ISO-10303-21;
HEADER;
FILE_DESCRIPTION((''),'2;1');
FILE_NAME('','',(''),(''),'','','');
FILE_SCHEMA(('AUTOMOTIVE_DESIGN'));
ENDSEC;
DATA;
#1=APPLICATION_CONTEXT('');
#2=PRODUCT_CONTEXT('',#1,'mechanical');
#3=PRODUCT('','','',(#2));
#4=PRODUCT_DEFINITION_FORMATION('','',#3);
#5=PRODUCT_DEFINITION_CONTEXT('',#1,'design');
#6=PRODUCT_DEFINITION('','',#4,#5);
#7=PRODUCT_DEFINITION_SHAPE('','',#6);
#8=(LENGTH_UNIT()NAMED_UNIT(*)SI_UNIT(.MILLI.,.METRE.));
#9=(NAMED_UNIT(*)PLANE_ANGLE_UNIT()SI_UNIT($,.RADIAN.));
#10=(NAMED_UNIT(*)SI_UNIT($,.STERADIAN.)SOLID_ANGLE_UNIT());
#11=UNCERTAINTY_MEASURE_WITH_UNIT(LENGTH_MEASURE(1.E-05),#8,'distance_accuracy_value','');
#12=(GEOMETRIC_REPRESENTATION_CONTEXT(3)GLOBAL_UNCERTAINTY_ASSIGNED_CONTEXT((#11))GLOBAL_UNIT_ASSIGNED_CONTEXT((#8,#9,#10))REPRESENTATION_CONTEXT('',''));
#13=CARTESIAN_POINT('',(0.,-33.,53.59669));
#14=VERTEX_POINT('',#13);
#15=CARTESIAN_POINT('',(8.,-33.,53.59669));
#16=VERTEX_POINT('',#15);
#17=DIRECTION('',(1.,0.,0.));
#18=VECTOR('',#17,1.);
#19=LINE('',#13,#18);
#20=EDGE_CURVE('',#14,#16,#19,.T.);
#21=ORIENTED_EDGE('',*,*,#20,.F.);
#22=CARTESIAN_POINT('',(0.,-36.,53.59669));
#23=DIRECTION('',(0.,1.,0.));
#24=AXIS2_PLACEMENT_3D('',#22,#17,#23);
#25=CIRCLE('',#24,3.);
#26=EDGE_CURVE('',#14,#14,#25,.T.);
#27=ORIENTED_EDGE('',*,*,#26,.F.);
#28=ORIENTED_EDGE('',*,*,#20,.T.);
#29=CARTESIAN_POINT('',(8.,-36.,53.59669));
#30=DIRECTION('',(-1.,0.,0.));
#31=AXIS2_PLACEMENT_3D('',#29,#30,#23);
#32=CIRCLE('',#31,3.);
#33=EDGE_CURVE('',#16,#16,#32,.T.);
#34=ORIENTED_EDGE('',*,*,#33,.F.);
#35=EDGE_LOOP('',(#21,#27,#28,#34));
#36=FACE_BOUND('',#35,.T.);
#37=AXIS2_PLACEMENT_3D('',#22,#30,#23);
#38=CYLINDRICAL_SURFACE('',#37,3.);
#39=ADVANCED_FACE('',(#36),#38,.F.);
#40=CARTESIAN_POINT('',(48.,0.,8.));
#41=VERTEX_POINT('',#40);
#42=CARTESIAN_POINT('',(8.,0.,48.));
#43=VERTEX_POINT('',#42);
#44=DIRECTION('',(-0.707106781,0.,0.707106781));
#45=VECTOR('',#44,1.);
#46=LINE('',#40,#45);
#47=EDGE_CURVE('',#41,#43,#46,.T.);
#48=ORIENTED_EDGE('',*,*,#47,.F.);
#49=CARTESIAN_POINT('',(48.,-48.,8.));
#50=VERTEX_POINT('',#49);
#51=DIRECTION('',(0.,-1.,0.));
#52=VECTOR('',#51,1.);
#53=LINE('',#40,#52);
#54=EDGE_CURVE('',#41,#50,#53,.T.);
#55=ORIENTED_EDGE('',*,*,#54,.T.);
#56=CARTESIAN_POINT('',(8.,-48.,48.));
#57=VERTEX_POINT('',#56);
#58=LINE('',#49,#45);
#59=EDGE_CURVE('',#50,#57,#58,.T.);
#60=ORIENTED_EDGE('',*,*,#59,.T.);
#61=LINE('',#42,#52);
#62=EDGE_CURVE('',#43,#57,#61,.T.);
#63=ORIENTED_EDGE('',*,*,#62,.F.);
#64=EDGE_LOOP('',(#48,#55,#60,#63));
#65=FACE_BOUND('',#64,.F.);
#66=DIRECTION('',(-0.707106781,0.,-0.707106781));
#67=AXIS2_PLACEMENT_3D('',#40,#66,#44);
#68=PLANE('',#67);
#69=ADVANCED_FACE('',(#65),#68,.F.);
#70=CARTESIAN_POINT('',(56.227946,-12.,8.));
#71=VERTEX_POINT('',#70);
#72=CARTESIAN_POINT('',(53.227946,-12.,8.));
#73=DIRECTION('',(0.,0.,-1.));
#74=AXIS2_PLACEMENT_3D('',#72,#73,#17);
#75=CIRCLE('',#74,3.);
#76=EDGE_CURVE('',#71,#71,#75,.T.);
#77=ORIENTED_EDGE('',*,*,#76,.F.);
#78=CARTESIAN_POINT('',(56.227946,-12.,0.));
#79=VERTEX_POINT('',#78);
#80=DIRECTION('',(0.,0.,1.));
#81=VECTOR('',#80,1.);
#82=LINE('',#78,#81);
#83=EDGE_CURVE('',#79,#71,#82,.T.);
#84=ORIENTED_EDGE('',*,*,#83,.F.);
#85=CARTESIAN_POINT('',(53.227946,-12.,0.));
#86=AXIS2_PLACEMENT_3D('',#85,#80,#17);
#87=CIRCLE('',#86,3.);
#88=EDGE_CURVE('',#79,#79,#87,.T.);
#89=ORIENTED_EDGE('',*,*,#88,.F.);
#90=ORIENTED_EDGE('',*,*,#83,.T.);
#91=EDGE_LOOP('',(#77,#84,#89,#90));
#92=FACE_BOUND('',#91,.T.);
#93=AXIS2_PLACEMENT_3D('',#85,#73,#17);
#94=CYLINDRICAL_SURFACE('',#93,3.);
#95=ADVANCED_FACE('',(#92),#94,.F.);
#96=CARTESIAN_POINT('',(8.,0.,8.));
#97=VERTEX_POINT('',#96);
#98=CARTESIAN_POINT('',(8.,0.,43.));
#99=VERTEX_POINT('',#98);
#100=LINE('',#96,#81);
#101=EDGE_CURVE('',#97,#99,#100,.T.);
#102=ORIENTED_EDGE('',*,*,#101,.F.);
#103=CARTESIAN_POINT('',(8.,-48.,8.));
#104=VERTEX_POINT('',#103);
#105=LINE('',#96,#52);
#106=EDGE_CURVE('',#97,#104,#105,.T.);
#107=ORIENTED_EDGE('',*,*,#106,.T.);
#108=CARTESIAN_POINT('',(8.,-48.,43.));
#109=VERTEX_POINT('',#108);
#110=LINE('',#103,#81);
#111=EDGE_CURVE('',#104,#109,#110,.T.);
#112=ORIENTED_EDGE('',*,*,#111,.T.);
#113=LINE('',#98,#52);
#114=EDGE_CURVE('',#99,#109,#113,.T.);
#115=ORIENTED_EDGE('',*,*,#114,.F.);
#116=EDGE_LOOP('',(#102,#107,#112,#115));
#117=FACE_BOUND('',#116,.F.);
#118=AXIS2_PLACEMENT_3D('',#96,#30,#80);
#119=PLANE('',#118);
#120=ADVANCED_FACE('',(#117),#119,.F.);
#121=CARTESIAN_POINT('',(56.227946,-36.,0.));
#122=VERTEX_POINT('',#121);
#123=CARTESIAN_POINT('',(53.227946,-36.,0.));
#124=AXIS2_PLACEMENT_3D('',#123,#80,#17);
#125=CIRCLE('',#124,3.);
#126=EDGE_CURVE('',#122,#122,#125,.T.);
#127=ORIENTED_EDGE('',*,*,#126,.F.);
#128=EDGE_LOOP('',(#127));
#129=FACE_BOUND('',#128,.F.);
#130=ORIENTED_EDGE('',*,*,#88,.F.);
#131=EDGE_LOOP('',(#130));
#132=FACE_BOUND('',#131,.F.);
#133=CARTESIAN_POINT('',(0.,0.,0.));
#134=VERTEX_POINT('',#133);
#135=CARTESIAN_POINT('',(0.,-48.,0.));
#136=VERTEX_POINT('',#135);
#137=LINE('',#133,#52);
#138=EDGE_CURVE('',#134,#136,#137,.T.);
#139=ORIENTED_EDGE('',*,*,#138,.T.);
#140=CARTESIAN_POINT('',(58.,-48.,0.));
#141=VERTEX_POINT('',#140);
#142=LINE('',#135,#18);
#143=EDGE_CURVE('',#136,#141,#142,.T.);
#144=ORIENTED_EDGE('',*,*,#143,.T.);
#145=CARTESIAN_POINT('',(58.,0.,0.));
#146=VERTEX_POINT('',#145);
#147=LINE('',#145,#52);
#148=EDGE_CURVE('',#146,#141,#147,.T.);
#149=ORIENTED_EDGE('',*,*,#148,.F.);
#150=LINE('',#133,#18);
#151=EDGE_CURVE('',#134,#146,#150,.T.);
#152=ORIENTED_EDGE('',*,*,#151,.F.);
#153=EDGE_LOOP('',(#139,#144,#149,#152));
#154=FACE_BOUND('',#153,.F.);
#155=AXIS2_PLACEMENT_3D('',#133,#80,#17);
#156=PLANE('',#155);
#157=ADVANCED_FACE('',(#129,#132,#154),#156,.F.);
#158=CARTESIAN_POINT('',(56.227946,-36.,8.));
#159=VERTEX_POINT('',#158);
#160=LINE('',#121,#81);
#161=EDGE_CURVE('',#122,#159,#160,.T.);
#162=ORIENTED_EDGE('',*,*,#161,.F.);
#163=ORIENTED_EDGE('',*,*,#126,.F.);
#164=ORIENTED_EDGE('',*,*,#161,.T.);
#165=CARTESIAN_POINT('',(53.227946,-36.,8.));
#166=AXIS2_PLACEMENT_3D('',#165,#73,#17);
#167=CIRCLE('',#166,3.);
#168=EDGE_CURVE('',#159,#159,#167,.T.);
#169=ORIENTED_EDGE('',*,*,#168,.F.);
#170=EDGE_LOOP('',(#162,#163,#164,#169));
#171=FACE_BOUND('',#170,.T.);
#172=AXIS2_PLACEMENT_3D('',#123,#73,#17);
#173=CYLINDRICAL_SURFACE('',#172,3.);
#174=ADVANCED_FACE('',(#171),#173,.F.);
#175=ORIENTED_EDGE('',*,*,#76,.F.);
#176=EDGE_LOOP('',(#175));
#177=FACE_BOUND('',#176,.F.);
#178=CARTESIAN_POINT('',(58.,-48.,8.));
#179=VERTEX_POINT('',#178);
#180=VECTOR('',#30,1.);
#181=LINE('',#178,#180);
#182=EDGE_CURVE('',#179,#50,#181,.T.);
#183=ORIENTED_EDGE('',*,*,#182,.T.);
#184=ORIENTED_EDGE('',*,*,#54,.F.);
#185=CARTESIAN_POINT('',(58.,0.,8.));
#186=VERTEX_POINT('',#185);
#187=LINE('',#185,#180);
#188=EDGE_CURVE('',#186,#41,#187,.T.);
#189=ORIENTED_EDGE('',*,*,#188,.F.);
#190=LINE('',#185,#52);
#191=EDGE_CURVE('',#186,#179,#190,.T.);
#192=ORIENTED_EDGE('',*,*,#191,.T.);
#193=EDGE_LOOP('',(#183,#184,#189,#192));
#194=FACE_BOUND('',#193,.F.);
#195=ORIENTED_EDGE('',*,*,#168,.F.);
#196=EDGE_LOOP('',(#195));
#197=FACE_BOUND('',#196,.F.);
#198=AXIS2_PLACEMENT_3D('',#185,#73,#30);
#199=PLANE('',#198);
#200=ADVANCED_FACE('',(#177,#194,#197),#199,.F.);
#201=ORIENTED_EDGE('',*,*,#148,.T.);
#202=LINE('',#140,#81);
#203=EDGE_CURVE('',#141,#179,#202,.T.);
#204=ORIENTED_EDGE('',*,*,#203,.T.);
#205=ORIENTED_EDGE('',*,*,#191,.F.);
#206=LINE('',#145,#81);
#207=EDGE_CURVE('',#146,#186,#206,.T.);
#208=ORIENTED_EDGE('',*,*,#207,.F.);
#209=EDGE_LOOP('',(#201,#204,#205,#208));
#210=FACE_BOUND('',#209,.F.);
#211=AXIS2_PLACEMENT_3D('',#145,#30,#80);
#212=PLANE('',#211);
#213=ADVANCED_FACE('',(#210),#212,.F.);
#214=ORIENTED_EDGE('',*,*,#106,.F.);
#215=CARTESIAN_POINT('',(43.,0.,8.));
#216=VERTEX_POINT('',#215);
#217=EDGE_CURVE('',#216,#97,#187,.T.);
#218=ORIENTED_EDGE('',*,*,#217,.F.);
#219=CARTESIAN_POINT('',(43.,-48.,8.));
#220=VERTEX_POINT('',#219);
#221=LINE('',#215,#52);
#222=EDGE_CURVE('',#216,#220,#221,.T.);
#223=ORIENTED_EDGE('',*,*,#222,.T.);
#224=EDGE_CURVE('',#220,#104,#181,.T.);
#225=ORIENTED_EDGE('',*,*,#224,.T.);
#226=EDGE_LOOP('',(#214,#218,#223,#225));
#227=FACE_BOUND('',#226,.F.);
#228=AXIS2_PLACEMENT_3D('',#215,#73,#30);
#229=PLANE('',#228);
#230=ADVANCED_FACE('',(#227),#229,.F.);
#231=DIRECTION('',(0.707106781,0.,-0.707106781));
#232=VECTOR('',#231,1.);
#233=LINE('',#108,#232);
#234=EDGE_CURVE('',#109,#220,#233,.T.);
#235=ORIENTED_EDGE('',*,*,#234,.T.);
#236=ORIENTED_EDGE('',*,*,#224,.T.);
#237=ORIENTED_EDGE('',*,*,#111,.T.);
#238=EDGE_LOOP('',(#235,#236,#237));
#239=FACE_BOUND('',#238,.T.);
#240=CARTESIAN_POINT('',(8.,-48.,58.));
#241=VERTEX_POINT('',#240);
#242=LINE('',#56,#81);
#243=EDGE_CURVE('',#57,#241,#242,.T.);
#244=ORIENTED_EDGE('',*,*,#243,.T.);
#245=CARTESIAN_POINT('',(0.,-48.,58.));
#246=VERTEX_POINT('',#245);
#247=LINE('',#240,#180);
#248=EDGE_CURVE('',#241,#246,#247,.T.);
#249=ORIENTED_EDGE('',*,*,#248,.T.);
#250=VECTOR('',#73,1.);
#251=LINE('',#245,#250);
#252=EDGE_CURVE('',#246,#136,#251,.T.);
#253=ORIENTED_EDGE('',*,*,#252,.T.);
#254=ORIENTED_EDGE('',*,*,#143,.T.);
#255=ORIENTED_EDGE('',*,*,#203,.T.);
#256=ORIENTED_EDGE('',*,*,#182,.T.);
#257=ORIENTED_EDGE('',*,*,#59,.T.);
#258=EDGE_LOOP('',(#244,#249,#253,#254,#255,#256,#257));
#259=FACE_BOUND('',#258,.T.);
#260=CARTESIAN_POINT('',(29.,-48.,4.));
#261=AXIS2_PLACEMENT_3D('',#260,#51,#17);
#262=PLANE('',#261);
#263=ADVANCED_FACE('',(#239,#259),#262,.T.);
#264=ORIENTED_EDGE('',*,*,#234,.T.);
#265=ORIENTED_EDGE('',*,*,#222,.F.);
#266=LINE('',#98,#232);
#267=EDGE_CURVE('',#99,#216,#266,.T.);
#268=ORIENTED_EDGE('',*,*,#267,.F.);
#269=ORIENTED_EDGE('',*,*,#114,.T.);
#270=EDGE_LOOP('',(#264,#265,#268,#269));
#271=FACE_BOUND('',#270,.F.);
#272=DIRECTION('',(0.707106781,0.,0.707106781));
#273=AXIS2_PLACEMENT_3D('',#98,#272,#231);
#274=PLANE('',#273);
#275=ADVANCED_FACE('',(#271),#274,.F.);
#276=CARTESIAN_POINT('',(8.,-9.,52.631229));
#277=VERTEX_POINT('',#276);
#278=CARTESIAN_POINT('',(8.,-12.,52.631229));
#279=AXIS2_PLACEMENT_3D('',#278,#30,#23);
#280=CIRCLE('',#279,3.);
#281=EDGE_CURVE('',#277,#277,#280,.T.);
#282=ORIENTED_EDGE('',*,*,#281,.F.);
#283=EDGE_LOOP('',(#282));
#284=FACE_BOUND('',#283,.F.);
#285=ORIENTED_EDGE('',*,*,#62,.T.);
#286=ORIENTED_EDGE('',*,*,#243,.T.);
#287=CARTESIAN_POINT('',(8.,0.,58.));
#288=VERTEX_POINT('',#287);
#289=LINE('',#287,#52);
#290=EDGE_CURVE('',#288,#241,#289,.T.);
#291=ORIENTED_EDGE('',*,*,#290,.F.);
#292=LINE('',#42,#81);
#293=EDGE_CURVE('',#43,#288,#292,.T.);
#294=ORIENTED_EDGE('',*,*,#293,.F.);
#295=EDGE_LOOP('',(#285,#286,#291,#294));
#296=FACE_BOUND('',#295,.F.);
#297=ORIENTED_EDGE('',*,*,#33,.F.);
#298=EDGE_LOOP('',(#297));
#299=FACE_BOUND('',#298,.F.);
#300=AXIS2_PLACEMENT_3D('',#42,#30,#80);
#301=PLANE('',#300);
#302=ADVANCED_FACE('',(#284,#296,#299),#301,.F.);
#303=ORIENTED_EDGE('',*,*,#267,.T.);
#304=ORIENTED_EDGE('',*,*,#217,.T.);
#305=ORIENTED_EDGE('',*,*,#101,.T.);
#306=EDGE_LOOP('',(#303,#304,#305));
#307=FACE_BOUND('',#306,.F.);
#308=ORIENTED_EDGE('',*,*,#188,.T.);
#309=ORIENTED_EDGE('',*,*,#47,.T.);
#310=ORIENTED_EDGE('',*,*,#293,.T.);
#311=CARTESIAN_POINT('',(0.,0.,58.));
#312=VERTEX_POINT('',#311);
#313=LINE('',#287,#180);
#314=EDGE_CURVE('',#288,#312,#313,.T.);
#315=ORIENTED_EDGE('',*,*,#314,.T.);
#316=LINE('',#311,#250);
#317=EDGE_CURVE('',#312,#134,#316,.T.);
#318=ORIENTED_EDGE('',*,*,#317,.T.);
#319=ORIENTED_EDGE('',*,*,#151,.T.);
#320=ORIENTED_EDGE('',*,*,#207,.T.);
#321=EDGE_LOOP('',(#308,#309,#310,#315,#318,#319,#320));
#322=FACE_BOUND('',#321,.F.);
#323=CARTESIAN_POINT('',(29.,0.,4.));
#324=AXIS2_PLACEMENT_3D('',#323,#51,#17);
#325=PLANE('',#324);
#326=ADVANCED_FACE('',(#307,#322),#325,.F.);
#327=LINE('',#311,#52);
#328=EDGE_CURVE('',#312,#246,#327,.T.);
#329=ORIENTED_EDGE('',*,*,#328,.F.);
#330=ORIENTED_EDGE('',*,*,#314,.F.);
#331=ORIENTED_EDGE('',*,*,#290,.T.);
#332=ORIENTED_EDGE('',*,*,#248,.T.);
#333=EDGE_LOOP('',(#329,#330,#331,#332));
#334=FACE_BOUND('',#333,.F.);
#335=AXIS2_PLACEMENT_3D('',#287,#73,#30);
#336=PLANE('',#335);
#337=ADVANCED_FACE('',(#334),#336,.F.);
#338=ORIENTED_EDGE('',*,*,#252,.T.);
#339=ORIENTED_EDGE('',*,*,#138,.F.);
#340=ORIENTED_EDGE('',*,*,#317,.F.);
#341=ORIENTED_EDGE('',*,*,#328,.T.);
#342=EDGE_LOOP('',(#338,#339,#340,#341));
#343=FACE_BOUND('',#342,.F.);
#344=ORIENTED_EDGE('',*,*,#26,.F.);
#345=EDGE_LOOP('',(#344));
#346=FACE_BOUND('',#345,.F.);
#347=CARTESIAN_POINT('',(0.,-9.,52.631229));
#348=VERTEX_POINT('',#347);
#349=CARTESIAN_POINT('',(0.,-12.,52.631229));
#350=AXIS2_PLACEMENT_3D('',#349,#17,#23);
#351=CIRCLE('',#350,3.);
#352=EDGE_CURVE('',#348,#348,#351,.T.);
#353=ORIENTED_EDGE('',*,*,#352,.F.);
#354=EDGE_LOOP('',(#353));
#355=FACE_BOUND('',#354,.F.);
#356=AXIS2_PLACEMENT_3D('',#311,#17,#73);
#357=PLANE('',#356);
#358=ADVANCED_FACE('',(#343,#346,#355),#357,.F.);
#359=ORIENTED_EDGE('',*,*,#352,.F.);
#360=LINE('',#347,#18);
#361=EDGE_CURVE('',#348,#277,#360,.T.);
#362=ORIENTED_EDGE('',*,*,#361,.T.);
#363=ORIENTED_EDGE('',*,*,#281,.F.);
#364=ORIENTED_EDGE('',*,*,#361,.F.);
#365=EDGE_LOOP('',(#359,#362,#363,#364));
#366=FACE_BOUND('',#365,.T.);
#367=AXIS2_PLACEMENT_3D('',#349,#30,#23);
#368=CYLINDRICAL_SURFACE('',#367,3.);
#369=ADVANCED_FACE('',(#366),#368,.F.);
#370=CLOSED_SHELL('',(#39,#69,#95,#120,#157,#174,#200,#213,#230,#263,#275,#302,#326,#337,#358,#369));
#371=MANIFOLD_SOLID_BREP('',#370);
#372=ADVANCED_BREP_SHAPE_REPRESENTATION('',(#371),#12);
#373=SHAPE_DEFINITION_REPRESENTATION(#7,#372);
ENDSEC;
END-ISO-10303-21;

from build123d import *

# Parameters (mm, degrees)
F1_DEPTH = 48
F2_R     = 3
F3_DEPTH = 25
F4_R     = 3
F5_DEPTH = 25


with BuildPart() as f1:
    # F0 (on Front) → F1 (new body)
    with BuildSketch(Plane.XZ):
        Polygon((0, 8), (0, 0), (58, 0), (58, 8), (48, 8), (43, 8), (8, 8), align=None)
        Polygon((43, 8), (48, 8), (8, 48), (8, 43), align=None)
        Polygon((0, 58), (0, 8), (8, 8), (8, 43), (8, 48), (8, 58), align=None)
    extrude(amount=F1_DEPTH)

    # F2 (on Right) → F3 (cut)
    with BuildSketch(Plane.YZ):
        with Locations((-36, 53.59669)):
            Circle(F2_R)
        with Locations((-12, 52.631229)):
            Circle(F2_R)
    extrude(amount=F3_DEPTH, mode=Mode.SUBTRACT)

    # F4 (on Top) → F5 (cut)
    with BuildSketch(Plane.XY):
        with Locations((53.227946, -36)):
            Circle(F4_R)
        with Locations((53.227946, -12)):
            Circle(F4_R)
    extrude(amount=F5_DEPTH, mode=Mode.SUBTRACT)


solid = f1.part
